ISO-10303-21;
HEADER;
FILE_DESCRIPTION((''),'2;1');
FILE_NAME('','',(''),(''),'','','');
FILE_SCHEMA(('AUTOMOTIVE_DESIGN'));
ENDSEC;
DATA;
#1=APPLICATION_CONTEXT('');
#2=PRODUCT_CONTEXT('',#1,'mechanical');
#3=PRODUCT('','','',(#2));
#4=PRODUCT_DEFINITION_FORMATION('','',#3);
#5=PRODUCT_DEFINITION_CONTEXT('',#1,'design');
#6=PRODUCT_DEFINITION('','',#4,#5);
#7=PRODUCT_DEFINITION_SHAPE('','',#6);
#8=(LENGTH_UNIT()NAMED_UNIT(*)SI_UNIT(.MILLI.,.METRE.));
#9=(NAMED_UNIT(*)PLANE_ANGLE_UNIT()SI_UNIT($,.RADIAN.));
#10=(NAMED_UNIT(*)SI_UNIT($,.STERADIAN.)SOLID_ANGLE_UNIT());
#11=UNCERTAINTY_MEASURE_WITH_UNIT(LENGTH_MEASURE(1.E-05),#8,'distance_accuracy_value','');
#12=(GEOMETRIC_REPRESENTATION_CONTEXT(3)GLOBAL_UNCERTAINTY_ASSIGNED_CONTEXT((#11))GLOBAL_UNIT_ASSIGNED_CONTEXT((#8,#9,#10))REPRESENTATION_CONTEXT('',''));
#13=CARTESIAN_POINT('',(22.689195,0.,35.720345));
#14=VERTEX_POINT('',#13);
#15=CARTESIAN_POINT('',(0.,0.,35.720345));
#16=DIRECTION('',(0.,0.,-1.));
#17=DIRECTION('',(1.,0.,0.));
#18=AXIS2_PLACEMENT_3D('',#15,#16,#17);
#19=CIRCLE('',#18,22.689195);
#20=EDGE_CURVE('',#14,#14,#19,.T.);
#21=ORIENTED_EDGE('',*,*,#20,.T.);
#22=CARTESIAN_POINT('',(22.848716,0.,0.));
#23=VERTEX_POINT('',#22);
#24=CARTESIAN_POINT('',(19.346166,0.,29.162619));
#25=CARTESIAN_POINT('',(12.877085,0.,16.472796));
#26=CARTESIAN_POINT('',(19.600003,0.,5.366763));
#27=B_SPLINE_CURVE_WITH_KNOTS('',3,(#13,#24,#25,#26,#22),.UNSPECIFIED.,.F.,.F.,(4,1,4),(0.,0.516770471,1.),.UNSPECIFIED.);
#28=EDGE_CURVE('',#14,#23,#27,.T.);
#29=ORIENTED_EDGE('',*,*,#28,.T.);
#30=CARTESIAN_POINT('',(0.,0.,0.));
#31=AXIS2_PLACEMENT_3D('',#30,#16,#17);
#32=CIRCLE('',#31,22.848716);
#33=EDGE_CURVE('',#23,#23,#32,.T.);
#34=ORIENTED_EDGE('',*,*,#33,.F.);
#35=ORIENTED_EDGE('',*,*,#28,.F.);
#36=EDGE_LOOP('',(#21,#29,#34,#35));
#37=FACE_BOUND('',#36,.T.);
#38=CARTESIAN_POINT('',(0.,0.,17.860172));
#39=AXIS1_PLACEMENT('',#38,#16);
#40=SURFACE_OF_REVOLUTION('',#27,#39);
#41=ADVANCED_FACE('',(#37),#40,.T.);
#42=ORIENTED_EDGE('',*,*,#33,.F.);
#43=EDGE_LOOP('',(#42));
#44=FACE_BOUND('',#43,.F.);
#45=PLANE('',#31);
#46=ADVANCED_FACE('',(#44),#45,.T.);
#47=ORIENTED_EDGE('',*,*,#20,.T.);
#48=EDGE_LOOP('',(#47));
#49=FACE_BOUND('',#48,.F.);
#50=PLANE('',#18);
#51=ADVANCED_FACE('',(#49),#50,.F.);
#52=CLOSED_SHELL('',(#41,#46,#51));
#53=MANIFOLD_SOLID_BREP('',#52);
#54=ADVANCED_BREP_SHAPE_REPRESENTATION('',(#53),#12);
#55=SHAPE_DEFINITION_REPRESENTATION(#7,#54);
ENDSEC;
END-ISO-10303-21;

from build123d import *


with BuildPart() as f1:
    # F0 (on Front) → F1 (revolve)
    with BuildSketch(Plane.XZ):
        with BuildLine():
            Line((0, 35.7203446329), (0, 0))
            Line((0, 0), (22.8487160057, 0))
            add(Edge.make_bspline(
                [(22.6891953498, 35.7203446329), (19.3461656876, 29.162618889), (12.8770854162, 16.4727960272), (19.6000034798, 5.3667630694), (22.8487160057, 0)],
                knots=[0, 0, 0, 0, 0.5167704715, 1, 1, 1, 1], degree=3))
            Line((22.6891953498, 35.7203446329), (0, 35.7203446329))
        make_face()
    revolve(axis=Axis((0, 0, 17.8601723164), (0, 0, -1)))


solid = f1.part
